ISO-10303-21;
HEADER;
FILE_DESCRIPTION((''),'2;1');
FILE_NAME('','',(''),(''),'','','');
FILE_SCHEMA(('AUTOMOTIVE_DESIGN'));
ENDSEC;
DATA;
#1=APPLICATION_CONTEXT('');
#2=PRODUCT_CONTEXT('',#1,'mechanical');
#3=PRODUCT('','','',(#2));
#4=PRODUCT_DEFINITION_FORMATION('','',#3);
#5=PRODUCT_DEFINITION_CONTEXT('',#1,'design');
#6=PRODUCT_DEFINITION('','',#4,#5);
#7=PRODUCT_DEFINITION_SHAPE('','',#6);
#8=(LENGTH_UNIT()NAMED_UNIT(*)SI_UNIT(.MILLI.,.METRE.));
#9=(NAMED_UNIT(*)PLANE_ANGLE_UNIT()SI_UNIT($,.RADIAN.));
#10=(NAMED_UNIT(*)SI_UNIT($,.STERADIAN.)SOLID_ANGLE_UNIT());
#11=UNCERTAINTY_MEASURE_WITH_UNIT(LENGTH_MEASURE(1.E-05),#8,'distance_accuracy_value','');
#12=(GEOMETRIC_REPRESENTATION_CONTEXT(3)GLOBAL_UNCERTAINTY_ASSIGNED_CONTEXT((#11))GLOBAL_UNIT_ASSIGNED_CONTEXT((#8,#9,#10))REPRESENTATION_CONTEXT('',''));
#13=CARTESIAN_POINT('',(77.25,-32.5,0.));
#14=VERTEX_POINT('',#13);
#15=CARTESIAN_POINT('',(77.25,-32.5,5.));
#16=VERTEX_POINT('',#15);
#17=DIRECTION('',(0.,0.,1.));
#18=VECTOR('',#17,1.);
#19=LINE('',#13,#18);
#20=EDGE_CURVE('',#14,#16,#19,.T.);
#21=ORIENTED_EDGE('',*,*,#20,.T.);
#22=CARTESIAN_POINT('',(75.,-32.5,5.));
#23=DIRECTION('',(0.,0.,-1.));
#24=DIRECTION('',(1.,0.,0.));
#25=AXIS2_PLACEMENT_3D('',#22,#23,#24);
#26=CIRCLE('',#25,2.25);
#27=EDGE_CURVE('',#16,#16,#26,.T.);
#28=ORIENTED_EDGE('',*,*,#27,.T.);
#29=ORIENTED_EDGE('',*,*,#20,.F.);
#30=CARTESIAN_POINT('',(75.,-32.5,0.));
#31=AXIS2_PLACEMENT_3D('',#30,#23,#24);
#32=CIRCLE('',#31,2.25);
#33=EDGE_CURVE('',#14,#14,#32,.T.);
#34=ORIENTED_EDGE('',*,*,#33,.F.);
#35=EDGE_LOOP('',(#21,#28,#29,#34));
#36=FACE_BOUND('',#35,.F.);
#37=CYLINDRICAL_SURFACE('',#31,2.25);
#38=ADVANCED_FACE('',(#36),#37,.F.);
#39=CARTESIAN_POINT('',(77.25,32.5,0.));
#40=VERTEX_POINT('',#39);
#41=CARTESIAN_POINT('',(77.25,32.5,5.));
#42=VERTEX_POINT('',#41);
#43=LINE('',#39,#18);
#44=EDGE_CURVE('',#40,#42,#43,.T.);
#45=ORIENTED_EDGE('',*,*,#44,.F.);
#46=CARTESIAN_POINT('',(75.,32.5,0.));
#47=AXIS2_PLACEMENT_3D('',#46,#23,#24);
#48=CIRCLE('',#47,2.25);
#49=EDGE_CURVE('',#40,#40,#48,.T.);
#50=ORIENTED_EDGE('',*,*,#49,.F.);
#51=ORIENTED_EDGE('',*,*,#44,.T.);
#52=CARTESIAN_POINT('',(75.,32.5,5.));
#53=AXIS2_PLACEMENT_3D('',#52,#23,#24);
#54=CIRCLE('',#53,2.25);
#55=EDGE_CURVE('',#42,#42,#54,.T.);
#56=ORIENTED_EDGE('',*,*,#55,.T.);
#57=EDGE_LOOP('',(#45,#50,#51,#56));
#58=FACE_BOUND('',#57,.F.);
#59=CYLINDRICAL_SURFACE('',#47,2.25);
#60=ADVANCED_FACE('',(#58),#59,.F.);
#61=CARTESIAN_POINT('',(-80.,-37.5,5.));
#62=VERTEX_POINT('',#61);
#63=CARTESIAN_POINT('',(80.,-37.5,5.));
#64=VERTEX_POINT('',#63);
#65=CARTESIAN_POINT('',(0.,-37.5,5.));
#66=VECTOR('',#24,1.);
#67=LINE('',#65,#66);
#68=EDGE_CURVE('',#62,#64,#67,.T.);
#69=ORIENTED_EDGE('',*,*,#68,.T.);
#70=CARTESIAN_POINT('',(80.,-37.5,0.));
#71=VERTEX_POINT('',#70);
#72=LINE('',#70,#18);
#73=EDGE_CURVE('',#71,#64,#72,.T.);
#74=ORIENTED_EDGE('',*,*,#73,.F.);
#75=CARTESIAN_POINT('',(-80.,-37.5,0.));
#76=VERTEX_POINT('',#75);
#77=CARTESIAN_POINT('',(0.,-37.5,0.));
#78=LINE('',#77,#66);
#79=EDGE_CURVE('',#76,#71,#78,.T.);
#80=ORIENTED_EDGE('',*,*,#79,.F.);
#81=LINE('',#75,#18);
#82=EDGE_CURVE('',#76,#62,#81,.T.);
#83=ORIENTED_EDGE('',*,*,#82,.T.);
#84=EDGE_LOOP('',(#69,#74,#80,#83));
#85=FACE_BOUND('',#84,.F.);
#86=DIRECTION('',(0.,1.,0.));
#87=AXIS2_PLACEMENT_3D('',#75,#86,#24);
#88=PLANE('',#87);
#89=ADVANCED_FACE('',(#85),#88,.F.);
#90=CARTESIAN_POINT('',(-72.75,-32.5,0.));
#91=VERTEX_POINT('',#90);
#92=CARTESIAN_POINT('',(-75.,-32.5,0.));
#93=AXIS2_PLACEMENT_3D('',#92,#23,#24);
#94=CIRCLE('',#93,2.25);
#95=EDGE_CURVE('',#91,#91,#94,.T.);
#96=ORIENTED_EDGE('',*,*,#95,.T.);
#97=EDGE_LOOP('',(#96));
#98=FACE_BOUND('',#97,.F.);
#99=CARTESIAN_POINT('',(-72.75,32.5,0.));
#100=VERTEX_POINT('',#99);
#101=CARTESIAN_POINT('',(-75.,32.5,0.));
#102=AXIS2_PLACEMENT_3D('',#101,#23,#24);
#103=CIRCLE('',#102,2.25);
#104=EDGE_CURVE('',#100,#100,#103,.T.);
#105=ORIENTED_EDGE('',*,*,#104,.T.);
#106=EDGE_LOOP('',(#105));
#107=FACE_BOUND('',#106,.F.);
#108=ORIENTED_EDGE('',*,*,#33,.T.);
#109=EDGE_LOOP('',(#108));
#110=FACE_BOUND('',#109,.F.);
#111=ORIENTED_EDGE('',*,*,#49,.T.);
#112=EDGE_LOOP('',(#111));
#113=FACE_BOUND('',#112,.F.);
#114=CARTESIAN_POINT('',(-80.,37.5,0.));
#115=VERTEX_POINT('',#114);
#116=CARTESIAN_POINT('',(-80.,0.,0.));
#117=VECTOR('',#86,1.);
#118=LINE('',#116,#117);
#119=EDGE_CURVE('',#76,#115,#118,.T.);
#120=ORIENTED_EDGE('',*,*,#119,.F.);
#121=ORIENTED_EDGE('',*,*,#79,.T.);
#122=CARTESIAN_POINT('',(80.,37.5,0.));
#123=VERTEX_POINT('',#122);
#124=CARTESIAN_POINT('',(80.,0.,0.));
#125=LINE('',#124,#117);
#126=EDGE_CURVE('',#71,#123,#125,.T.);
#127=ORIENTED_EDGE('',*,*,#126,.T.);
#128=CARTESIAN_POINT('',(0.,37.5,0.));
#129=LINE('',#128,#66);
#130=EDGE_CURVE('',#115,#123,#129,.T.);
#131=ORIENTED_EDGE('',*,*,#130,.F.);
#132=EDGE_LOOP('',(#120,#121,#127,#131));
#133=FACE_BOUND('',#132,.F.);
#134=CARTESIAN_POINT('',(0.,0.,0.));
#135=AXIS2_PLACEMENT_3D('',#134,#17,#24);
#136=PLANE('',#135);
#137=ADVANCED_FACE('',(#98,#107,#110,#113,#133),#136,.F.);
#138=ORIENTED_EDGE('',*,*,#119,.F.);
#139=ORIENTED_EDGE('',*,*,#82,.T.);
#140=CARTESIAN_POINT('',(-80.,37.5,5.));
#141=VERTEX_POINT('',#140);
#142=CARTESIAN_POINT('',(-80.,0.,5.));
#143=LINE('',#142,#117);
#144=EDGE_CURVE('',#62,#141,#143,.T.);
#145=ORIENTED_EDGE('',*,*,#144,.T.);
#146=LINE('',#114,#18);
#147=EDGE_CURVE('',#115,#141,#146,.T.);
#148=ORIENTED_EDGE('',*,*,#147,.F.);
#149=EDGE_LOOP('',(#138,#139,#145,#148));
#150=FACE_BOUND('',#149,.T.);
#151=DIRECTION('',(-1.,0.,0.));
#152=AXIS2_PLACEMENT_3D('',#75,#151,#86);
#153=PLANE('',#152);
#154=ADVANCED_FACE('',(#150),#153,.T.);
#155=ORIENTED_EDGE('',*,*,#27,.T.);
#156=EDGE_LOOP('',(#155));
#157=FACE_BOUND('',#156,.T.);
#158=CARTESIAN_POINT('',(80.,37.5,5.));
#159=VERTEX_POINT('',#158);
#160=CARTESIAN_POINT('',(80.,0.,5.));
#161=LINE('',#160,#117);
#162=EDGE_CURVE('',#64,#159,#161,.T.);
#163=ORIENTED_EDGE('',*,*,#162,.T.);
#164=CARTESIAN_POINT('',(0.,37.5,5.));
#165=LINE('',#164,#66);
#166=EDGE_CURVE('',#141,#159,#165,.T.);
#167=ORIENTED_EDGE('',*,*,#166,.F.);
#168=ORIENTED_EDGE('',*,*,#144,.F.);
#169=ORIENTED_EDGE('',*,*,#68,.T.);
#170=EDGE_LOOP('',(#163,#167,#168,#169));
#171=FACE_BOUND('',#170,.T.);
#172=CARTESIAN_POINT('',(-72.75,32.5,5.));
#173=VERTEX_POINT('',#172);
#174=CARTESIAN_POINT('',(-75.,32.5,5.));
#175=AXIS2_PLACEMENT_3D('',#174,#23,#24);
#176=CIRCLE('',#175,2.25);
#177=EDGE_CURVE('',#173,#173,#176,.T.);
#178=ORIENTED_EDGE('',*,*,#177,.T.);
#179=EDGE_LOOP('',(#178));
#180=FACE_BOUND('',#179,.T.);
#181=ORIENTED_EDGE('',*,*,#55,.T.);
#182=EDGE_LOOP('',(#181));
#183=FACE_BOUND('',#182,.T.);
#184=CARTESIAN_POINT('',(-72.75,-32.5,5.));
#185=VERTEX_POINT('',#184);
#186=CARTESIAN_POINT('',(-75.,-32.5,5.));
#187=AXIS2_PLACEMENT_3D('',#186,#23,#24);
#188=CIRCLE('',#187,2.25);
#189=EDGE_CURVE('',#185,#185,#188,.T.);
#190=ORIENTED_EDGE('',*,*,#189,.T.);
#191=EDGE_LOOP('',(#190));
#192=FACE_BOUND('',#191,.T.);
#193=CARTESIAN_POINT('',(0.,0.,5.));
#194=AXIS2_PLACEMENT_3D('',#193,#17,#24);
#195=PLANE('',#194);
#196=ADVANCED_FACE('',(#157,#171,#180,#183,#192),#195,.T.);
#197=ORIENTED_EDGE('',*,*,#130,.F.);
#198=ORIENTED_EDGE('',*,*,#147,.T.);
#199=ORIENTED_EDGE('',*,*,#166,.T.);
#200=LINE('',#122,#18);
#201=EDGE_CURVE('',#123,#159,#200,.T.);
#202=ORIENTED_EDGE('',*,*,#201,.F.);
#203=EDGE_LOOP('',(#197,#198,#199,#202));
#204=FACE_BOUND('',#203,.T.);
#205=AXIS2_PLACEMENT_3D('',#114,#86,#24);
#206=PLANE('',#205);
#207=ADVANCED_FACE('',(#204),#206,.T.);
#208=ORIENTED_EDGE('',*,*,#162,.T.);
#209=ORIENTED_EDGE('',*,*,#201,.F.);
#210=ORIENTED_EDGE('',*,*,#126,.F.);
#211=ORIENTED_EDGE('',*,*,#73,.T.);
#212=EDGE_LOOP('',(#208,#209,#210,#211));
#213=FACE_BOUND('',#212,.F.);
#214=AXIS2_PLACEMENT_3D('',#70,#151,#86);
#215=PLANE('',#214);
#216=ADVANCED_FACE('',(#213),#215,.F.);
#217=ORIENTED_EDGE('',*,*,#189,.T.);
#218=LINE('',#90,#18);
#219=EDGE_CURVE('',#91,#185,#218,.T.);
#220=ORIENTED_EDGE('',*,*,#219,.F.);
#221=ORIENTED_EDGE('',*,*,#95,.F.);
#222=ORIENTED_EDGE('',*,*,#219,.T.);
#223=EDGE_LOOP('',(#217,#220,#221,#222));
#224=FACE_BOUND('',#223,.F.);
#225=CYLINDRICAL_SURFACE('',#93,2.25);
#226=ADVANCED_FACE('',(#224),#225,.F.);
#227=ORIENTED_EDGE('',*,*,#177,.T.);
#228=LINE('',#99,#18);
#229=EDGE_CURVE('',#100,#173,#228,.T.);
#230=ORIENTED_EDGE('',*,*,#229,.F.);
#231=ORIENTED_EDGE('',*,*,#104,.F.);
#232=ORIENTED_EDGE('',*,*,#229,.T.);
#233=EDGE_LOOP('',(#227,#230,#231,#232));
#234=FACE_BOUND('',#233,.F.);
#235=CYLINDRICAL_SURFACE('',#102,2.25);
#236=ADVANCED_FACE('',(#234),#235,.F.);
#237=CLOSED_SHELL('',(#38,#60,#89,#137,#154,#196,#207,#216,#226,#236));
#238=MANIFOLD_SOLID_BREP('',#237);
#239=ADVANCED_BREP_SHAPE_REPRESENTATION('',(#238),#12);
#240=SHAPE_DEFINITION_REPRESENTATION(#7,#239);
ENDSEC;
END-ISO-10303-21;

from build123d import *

# Parameters (mm, degrees)
SKETCH_W    = 160
SKETCH_H    = 75
PAD_DEPTH   = 5
SKETCH001_R = 2.25
HOLE_DEPTH  = 5.001


with BuildPart() as part:
    # Sketch → Pad (new body)
    with BuildSketch(Plane.XY):
        Rectangle(SKETCH_W, SKETCH_H)
    extrude(amount=PAD_DEPTH)

    # Sketch001 (on Face5 of Pad) → Hole (cut, through all)
    with BuildSketch(Plane(origin=(0, 0, 0), x_dir=(1, 0, 0), z_dir=(0, 0, -1))):
        with Locations((-75, 32.5)):
            Circle(SKETCH001_R)
        with Locations((75, 32.5)):
            Circle(SKETCH001_R)
        with Locations((75, -32.5)):
            Circle(SKETCH001_R)
        with Locations((-75, -32.5)):
            Circle(SKETCH001_R)
    extrude(amount=-HOLE_DEPTH, mode=Mode.SUBTRACT)


solid = part.part
